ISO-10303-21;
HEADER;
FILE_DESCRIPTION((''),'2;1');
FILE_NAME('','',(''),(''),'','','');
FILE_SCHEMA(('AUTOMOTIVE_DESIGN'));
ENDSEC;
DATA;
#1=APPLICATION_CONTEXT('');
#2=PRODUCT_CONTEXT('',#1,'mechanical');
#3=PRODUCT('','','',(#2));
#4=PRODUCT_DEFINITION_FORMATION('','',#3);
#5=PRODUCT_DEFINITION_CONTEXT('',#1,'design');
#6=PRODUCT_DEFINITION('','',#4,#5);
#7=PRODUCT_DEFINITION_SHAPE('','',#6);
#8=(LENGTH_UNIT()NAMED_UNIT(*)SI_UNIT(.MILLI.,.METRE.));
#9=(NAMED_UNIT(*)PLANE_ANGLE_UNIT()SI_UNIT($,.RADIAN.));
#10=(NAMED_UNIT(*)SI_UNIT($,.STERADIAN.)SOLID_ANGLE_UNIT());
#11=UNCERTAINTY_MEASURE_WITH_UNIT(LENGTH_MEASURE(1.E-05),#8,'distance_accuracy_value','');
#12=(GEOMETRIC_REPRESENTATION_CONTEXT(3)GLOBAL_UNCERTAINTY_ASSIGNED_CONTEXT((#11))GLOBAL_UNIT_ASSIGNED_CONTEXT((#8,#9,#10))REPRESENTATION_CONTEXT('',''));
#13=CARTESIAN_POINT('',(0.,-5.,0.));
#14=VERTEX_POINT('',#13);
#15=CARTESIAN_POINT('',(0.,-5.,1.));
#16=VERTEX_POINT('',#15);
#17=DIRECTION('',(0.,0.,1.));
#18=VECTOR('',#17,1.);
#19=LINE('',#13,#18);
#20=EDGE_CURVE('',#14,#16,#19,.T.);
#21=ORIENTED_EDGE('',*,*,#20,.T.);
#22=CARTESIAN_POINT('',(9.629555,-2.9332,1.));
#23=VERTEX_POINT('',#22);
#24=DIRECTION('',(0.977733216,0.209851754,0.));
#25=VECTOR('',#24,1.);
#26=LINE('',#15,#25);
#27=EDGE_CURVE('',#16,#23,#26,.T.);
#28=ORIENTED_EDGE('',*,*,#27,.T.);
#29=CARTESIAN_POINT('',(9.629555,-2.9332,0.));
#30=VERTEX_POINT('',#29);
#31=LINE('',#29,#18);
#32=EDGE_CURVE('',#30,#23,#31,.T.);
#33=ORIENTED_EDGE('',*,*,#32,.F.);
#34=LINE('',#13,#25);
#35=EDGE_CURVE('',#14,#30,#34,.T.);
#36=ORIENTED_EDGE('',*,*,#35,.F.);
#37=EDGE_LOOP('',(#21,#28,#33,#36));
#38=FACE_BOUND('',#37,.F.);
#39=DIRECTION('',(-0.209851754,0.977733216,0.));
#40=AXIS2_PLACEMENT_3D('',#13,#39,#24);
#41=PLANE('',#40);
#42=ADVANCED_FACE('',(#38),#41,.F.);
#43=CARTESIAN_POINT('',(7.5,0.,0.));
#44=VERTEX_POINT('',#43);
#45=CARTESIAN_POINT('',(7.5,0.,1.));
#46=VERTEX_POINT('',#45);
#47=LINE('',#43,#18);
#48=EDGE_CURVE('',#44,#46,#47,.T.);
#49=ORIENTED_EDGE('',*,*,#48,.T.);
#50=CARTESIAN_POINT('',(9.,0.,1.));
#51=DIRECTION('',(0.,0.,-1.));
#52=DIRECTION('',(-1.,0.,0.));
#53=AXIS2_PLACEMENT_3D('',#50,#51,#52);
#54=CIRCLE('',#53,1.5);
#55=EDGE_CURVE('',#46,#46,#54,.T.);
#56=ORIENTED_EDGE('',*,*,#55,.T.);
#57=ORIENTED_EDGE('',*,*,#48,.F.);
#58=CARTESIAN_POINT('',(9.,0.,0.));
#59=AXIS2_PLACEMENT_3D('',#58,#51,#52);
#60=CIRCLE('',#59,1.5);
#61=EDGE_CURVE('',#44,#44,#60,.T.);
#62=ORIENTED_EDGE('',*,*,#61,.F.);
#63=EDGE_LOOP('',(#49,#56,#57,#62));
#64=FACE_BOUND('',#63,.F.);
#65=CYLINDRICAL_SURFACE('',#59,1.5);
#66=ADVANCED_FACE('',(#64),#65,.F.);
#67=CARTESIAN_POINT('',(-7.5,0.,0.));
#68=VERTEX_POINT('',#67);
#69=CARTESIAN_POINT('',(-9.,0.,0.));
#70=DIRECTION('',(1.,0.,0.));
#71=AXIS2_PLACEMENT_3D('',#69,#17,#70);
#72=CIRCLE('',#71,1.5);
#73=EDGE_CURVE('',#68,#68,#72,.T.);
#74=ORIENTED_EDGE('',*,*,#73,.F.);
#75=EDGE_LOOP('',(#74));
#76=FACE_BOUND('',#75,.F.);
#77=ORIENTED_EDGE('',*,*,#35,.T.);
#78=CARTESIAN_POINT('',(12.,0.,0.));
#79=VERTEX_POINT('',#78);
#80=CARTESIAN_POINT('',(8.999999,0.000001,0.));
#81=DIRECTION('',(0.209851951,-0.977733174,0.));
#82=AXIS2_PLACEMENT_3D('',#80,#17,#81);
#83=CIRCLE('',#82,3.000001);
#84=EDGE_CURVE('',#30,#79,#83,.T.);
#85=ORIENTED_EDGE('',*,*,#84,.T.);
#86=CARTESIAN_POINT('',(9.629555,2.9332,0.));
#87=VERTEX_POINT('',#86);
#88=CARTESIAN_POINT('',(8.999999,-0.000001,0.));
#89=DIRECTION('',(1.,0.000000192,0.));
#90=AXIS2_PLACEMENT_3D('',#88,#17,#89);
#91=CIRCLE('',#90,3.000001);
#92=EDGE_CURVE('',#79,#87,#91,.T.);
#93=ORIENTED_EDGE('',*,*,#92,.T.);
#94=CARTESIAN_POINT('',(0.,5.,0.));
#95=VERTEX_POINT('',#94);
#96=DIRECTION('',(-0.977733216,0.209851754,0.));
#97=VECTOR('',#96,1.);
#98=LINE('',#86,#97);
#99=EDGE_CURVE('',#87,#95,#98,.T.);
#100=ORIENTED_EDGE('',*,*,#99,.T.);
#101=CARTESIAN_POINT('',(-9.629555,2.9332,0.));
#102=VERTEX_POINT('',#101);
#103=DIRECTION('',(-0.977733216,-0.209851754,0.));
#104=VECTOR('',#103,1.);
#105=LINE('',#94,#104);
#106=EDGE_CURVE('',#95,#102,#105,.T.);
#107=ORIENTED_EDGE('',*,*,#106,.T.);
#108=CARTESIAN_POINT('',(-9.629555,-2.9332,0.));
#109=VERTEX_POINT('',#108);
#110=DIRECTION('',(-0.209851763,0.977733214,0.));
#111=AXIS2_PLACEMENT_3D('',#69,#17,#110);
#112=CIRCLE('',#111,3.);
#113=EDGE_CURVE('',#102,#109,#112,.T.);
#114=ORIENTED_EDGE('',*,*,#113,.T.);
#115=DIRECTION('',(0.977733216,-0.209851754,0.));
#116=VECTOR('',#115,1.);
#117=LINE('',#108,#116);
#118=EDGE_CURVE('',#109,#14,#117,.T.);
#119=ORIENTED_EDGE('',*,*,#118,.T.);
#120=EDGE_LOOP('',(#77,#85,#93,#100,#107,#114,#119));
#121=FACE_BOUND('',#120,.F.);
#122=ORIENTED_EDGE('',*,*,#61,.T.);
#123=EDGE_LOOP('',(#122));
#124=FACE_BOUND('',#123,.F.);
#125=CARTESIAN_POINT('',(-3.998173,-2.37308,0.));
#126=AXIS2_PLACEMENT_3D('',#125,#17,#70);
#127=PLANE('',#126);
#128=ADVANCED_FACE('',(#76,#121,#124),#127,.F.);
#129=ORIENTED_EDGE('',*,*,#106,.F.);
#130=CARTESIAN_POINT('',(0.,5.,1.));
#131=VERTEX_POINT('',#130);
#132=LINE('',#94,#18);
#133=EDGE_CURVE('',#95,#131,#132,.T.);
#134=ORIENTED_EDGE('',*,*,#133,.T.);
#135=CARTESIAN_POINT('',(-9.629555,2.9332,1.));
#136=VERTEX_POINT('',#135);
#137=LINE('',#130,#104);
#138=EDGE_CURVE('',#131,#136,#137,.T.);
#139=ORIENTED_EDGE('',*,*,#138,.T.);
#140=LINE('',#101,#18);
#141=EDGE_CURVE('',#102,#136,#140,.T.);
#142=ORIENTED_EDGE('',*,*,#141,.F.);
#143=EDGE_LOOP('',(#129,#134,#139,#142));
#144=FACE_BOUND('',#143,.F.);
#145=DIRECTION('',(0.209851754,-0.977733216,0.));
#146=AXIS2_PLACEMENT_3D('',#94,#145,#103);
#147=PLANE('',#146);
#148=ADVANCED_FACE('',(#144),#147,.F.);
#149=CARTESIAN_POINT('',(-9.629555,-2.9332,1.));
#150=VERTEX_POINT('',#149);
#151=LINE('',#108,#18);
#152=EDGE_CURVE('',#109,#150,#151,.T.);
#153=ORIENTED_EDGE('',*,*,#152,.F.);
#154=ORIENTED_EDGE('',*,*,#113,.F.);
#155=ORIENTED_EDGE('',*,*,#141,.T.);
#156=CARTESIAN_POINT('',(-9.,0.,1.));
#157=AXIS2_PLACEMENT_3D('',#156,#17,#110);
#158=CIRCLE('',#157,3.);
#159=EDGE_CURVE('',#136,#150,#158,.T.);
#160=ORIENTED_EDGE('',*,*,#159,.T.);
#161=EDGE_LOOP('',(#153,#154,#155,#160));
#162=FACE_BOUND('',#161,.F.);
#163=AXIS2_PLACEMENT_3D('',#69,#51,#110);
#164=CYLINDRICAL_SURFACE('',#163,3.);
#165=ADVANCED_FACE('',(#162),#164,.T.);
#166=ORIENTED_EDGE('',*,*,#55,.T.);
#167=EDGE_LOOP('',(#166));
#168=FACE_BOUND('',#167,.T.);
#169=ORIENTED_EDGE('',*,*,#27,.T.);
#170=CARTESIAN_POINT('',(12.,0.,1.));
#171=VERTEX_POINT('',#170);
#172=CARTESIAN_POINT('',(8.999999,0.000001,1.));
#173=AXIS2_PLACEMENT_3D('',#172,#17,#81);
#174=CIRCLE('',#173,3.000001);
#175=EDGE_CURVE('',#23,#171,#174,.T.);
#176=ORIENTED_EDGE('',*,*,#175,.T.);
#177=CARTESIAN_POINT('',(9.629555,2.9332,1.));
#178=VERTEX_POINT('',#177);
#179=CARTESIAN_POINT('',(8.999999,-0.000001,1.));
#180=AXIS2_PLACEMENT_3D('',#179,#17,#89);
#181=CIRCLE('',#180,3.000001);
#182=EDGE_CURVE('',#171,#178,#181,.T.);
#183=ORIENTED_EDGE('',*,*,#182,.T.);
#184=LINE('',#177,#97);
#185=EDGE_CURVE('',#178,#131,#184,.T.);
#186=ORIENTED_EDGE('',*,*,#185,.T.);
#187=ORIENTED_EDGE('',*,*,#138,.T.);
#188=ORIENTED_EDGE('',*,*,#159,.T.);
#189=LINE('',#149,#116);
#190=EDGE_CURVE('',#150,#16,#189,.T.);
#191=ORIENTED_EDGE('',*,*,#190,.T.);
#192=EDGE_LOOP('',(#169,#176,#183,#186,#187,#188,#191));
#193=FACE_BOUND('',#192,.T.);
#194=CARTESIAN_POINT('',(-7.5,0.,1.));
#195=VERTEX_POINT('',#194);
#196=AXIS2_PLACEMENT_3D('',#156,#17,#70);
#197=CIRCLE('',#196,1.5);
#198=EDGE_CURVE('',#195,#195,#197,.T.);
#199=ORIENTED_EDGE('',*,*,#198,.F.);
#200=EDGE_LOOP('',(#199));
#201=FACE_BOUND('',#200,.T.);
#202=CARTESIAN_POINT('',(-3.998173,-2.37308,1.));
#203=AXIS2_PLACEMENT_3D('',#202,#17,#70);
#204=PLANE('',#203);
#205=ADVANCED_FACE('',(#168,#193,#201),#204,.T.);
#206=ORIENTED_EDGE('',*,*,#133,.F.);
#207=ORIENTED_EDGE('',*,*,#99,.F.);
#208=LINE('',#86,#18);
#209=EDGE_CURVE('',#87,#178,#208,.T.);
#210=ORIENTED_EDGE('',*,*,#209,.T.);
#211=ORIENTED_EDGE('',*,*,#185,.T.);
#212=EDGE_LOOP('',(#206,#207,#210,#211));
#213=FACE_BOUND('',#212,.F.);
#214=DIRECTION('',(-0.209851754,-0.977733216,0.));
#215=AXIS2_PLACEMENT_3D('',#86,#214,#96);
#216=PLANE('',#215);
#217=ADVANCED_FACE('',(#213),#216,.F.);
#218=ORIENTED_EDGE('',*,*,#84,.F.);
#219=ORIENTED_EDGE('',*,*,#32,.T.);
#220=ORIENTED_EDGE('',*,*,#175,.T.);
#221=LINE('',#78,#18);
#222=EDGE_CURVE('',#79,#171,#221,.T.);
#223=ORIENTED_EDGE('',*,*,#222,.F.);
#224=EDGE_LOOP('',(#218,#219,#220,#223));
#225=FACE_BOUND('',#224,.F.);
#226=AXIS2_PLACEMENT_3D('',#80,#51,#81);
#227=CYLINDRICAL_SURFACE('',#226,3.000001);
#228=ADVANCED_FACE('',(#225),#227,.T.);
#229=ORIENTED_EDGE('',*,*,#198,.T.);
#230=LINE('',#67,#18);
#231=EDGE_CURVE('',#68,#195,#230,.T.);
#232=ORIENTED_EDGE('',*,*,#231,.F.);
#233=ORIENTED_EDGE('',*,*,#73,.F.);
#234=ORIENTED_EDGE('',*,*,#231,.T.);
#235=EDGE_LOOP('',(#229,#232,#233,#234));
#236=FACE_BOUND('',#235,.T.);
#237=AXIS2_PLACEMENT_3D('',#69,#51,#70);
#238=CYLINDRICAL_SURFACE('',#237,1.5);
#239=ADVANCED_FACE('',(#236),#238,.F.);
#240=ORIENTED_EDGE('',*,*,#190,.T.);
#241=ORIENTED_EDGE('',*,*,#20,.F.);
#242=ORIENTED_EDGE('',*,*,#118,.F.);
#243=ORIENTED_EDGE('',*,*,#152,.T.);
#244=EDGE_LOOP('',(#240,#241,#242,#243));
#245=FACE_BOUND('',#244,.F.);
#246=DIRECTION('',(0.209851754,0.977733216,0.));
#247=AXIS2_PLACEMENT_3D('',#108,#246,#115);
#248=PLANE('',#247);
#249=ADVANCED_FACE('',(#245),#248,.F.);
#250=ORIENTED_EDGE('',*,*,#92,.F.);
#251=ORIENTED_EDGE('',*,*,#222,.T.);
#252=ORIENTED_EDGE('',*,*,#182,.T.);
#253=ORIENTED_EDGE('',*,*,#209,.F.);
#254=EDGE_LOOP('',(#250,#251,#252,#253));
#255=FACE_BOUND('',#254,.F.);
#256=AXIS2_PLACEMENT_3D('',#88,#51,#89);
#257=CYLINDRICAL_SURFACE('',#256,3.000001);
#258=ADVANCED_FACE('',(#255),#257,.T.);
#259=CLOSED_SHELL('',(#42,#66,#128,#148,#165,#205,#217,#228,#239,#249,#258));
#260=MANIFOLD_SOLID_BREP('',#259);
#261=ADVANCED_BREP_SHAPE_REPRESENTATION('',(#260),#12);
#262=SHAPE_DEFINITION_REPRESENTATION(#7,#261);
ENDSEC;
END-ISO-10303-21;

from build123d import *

# Parameters (mm, degrees)
F0_R     = 1.5
F1_DEPTH = 1


with BuildPart() as f1:
    # F0 (on Top) → F1 (new body)
    with BuildSketch(Plane.XY):
        with BuildLine():
            Line((0, -5), (0, 0))
            Line((0, 0), (-6, 0))
            ThreePointArc((-6, 0), (-7.114352, -2.333309), (-9.629555, -2.9332))
            Line((-9.629555, -2.9332), (0, -5))
        make_face()
        with BuildLine():
            Line((-6, 0), (0, 0))
            Line((0, 0), (0, 5))
            Line((0, 5), (-9.629555, 2.9332))
            ThreePointArc((-9.629555, 2.9332), (-7.114352, 2.333309), (-6, 0))
        make_face()
        with BuildLine():
            Line((0, 5), (0, 0))
            Line((0, 0), (6, 0))
            ThreePointArc((6, 0), (7.114352, 2.333309), (9.629555, 2.9332))
            Line((9.629555, 2.9332), (0, 5))
        make_face()
        with BuildLine():
            Line((6, 0), (0, 0))
            Line((0, 0), (0, -5))
            Line((0, -5), (9.629555, -2.9332))
            ThreePointArc((9.629555, -2.9332), (7.114352, -2.333309), (6, 0))
        make_face()
        with BuildLine():
            ThreePointArc((9.629555, 2.9332), (7.114352, 2.333309), (6, 0))
            ThreePointArc((6, 0), (7.114352, -2.333309), (9.629555, -2.9332))
            ThreePointArc((9.629555, -2.9332), (11.333309, -1.885648), (12, 0))
            ThreePointArc((12, 0), (11.333309, 1.885648), (9.629555, 2.9332))
        make_face()
        with BuildLine():
            ThreePointArc((10.5, 0), (9, -1.5), (7.5, 0))
            ThreePointArc((7.5, 0), (9, 1.5), (10.5, 0))
        make_face(mode=Mode.SUBTRACT)
        with BuildLine():
            ThreePointArc((-9.629555, -2.9332), (-7.114352, -2.333309), (-6, 0))
            ThreePointArc((-6, 0), (-7.114352, 2.333309), (-9.629555, 2.9332))
            ThreePointArc((-9.629555, 2.9332), (-12, 0), (-9.629555, -2.9332))
        make_face()
        with Locations((-9, 0)):
            Circle(F0_R, mode=Mode.SUBTRACT)
    extrude(amount=F1_DEPTH)


solid = f1.part
